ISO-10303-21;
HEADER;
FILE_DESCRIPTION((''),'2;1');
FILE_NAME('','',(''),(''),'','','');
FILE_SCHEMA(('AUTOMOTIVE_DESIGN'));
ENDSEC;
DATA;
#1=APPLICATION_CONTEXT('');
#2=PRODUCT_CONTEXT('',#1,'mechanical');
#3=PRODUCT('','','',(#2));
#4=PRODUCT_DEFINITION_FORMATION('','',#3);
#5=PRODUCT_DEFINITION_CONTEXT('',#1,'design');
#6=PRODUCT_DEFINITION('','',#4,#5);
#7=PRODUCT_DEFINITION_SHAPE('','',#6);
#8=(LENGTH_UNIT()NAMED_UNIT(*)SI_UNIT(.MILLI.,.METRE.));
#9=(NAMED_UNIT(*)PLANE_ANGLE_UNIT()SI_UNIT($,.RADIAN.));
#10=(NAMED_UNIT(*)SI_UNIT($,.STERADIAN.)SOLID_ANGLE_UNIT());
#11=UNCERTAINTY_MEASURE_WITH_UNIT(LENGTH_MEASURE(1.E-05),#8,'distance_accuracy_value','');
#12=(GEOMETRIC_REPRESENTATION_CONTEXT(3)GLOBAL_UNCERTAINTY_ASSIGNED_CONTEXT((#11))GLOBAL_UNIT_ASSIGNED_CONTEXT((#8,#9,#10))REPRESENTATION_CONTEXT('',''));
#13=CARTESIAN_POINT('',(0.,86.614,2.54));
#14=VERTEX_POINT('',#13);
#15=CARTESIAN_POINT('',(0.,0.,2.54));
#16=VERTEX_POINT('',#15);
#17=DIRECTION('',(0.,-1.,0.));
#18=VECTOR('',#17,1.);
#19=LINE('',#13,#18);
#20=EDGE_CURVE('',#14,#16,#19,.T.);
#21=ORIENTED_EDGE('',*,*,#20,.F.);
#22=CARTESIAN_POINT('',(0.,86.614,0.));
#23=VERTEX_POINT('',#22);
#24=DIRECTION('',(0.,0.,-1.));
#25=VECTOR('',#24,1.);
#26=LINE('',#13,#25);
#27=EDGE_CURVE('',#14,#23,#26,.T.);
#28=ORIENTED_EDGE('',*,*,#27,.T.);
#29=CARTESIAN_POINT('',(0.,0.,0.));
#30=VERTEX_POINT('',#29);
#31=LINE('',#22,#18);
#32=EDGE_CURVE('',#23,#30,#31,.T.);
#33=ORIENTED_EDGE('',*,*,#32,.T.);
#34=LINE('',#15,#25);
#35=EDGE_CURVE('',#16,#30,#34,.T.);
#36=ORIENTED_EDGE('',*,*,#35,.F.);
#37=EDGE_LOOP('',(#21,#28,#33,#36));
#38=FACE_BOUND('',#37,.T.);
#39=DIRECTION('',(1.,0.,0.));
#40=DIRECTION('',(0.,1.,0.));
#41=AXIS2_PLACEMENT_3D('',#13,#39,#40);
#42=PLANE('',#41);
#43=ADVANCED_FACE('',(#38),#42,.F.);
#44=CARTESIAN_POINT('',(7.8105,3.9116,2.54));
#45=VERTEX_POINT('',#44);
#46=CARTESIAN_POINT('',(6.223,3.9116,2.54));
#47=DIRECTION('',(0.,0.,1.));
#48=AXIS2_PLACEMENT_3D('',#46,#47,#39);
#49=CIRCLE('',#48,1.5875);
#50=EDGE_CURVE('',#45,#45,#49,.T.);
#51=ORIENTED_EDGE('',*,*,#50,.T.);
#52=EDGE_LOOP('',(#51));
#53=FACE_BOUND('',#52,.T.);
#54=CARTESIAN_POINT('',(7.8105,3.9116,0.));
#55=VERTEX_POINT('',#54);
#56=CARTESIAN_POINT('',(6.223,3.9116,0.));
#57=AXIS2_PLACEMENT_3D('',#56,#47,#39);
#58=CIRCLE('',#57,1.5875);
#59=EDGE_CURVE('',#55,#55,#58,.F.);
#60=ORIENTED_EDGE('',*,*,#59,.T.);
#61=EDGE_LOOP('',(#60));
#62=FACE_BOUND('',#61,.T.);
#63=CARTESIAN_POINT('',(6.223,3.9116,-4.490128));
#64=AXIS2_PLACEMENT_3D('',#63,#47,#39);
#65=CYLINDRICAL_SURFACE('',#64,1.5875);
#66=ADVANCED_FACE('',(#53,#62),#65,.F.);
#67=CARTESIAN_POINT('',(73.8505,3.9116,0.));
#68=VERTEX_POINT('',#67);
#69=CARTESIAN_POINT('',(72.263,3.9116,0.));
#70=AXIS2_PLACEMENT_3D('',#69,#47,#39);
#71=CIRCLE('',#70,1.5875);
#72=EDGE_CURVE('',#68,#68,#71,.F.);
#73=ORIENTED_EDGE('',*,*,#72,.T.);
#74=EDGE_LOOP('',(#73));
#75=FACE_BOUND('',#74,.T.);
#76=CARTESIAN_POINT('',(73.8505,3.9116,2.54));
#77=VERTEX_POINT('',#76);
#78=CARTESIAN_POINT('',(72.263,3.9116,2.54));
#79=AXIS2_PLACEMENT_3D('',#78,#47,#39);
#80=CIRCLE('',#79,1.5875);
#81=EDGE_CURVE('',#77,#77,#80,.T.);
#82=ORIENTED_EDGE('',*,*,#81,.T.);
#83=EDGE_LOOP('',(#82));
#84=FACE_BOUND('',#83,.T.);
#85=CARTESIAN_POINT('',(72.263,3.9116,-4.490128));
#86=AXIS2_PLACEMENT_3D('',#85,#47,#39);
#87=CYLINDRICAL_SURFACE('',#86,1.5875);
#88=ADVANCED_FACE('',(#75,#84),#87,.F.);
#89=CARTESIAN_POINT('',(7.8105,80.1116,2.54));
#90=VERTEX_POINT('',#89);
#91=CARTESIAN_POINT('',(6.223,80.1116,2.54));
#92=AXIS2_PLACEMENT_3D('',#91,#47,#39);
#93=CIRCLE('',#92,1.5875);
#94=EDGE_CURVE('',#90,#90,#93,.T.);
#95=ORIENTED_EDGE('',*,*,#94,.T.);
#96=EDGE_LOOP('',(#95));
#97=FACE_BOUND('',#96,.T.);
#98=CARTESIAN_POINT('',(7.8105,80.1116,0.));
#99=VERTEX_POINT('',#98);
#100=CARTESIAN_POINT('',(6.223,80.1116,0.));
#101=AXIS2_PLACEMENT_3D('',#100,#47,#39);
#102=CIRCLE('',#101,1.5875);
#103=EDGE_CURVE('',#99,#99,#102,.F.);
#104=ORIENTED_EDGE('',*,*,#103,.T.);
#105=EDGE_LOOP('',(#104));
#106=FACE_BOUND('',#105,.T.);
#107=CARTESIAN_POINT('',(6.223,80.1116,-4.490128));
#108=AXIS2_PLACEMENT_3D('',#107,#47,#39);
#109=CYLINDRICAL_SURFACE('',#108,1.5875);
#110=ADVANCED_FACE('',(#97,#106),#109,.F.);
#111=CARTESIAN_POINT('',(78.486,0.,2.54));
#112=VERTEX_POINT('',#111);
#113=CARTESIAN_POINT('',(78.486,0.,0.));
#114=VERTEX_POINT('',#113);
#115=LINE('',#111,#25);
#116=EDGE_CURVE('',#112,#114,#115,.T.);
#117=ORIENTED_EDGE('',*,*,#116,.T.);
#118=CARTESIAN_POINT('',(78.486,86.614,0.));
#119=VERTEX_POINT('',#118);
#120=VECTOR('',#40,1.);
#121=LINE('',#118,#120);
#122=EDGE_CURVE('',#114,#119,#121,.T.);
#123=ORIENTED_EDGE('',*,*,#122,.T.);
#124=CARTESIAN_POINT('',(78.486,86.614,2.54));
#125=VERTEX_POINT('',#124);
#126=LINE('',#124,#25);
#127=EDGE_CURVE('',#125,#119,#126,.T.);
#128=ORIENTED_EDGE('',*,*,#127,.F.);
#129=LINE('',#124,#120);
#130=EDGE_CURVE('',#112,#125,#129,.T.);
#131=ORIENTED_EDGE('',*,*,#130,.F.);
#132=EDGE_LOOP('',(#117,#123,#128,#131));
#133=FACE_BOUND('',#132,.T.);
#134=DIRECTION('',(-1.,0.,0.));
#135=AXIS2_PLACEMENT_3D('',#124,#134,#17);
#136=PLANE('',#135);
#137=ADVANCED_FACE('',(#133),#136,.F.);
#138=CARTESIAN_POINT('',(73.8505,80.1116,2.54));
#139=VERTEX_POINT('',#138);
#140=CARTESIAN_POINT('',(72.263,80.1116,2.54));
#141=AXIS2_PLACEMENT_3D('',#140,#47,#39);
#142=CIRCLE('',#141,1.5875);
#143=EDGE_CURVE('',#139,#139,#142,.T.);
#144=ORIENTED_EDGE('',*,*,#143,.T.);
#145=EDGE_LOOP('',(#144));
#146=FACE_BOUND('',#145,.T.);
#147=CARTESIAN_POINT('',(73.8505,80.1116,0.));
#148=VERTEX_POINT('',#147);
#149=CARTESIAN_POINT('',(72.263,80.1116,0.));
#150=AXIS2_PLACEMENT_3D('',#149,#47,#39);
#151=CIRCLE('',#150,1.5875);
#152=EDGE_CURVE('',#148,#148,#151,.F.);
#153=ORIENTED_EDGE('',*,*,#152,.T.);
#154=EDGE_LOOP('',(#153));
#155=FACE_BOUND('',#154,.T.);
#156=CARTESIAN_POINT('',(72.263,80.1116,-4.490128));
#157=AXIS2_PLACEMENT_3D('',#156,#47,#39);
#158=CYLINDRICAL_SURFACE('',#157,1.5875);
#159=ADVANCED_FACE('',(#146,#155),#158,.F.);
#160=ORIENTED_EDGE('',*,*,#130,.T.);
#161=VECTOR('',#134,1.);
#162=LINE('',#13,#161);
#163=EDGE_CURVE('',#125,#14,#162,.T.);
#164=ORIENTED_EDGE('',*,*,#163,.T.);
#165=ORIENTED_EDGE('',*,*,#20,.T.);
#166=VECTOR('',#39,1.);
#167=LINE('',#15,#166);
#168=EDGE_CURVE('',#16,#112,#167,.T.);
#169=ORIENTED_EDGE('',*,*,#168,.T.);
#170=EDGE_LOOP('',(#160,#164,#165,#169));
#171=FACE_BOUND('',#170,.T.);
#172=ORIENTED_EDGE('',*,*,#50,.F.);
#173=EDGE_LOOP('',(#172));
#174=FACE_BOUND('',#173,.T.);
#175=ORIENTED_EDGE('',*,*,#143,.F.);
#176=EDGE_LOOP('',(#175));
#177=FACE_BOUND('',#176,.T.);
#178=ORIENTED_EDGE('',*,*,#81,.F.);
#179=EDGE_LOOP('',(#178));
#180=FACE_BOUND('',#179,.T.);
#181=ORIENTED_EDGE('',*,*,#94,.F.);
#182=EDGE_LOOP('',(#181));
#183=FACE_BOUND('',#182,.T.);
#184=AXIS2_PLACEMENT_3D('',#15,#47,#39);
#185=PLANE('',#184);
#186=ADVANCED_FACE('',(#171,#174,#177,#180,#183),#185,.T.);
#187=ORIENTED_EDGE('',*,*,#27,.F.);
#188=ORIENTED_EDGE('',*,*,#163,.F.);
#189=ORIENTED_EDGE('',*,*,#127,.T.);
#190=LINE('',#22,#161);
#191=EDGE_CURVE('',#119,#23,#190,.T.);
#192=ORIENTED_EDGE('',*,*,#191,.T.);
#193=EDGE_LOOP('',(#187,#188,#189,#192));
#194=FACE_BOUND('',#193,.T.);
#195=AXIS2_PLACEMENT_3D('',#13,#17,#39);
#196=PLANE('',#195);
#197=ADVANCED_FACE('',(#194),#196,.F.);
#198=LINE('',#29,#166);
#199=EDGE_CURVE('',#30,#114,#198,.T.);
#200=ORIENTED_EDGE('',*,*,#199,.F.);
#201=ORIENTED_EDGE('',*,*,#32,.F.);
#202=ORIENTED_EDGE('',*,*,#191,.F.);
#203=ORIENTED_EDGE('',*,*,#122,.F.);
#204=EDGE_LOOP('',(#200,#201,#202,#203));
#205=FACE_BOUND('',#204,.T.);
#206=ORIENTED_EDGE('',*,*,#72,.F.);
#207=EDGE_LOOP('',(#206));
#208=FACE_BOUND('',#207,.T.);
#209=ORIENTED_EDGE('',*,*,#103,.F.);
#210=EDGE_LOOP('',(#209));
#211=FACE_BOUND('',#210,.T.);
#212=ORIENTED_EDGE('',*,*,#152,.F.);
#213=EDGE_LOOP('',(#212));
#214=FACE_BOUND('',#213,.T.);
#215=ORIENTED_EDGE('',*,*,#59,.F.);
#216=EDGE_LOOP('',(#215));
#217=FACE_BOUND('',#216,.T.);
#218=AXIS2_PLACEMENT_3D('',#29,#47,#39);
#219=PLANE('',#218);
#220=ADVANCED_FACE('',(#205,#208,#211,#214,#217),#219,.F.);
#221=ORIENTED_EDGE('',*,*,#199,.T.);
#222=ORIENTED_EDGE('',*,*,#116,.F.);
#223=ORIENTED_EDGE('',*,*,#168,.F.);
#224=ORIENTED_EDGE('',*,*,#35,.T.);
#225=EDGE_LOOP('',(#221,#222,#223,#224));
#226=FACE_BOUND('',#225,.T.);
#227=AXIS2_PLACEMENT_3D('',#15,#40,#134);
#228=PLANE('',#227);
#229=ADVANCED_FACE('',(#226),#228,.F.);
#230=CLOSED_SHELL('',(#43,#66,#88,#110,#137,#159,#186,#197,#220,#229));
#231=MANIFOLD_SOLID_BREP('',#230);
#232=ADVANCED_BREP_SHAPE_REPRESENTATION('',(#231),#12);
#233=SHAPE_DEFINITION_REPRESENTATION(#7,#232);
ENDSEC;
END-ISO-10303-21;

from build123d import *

# Parameters (mm, degrees)
SKETCH1_W           = 78.486
SKETCH1_H           = 86.614
BOSS_EXTRUDE1_DEPTH = 2.54
SKETCH2_R           = 1.5875
CUT_EXTRUDE1_DEPTH  = 2.54


with BuildPart() as part:
    # Sketch1 → Boss-Extrude1 (new body)
    with BuildSketch(Plane.XY):
        with Locations((39.243, 43.307)):
            Rectangle(SKETCH1_W, SKETCH1_H)
    extrude(amount=BOSS_EXTRUDE1_DEPTH)

    # Sketch2 → Cut-Extrude1 (cut)
    with BuildSketch(Plane.XY.offset(2.54)):
        with Locations((6.223, 80.1116)):
            Circle(SKETCH2_R)
        with Locations((72.263, 80.1116)):
            Circle(SKETCH2_R)
        with Locations((72.263, 3.9116)):
            Circle(SKETCH2_R)
        with Locations((6.223, 3.9116)):
            Circle(SKETCH2_R)
    extrude(amount=-CUT_EXTRUDE1_DEPTH, mode=Mode.SUBTRACT)


solid = part.part
